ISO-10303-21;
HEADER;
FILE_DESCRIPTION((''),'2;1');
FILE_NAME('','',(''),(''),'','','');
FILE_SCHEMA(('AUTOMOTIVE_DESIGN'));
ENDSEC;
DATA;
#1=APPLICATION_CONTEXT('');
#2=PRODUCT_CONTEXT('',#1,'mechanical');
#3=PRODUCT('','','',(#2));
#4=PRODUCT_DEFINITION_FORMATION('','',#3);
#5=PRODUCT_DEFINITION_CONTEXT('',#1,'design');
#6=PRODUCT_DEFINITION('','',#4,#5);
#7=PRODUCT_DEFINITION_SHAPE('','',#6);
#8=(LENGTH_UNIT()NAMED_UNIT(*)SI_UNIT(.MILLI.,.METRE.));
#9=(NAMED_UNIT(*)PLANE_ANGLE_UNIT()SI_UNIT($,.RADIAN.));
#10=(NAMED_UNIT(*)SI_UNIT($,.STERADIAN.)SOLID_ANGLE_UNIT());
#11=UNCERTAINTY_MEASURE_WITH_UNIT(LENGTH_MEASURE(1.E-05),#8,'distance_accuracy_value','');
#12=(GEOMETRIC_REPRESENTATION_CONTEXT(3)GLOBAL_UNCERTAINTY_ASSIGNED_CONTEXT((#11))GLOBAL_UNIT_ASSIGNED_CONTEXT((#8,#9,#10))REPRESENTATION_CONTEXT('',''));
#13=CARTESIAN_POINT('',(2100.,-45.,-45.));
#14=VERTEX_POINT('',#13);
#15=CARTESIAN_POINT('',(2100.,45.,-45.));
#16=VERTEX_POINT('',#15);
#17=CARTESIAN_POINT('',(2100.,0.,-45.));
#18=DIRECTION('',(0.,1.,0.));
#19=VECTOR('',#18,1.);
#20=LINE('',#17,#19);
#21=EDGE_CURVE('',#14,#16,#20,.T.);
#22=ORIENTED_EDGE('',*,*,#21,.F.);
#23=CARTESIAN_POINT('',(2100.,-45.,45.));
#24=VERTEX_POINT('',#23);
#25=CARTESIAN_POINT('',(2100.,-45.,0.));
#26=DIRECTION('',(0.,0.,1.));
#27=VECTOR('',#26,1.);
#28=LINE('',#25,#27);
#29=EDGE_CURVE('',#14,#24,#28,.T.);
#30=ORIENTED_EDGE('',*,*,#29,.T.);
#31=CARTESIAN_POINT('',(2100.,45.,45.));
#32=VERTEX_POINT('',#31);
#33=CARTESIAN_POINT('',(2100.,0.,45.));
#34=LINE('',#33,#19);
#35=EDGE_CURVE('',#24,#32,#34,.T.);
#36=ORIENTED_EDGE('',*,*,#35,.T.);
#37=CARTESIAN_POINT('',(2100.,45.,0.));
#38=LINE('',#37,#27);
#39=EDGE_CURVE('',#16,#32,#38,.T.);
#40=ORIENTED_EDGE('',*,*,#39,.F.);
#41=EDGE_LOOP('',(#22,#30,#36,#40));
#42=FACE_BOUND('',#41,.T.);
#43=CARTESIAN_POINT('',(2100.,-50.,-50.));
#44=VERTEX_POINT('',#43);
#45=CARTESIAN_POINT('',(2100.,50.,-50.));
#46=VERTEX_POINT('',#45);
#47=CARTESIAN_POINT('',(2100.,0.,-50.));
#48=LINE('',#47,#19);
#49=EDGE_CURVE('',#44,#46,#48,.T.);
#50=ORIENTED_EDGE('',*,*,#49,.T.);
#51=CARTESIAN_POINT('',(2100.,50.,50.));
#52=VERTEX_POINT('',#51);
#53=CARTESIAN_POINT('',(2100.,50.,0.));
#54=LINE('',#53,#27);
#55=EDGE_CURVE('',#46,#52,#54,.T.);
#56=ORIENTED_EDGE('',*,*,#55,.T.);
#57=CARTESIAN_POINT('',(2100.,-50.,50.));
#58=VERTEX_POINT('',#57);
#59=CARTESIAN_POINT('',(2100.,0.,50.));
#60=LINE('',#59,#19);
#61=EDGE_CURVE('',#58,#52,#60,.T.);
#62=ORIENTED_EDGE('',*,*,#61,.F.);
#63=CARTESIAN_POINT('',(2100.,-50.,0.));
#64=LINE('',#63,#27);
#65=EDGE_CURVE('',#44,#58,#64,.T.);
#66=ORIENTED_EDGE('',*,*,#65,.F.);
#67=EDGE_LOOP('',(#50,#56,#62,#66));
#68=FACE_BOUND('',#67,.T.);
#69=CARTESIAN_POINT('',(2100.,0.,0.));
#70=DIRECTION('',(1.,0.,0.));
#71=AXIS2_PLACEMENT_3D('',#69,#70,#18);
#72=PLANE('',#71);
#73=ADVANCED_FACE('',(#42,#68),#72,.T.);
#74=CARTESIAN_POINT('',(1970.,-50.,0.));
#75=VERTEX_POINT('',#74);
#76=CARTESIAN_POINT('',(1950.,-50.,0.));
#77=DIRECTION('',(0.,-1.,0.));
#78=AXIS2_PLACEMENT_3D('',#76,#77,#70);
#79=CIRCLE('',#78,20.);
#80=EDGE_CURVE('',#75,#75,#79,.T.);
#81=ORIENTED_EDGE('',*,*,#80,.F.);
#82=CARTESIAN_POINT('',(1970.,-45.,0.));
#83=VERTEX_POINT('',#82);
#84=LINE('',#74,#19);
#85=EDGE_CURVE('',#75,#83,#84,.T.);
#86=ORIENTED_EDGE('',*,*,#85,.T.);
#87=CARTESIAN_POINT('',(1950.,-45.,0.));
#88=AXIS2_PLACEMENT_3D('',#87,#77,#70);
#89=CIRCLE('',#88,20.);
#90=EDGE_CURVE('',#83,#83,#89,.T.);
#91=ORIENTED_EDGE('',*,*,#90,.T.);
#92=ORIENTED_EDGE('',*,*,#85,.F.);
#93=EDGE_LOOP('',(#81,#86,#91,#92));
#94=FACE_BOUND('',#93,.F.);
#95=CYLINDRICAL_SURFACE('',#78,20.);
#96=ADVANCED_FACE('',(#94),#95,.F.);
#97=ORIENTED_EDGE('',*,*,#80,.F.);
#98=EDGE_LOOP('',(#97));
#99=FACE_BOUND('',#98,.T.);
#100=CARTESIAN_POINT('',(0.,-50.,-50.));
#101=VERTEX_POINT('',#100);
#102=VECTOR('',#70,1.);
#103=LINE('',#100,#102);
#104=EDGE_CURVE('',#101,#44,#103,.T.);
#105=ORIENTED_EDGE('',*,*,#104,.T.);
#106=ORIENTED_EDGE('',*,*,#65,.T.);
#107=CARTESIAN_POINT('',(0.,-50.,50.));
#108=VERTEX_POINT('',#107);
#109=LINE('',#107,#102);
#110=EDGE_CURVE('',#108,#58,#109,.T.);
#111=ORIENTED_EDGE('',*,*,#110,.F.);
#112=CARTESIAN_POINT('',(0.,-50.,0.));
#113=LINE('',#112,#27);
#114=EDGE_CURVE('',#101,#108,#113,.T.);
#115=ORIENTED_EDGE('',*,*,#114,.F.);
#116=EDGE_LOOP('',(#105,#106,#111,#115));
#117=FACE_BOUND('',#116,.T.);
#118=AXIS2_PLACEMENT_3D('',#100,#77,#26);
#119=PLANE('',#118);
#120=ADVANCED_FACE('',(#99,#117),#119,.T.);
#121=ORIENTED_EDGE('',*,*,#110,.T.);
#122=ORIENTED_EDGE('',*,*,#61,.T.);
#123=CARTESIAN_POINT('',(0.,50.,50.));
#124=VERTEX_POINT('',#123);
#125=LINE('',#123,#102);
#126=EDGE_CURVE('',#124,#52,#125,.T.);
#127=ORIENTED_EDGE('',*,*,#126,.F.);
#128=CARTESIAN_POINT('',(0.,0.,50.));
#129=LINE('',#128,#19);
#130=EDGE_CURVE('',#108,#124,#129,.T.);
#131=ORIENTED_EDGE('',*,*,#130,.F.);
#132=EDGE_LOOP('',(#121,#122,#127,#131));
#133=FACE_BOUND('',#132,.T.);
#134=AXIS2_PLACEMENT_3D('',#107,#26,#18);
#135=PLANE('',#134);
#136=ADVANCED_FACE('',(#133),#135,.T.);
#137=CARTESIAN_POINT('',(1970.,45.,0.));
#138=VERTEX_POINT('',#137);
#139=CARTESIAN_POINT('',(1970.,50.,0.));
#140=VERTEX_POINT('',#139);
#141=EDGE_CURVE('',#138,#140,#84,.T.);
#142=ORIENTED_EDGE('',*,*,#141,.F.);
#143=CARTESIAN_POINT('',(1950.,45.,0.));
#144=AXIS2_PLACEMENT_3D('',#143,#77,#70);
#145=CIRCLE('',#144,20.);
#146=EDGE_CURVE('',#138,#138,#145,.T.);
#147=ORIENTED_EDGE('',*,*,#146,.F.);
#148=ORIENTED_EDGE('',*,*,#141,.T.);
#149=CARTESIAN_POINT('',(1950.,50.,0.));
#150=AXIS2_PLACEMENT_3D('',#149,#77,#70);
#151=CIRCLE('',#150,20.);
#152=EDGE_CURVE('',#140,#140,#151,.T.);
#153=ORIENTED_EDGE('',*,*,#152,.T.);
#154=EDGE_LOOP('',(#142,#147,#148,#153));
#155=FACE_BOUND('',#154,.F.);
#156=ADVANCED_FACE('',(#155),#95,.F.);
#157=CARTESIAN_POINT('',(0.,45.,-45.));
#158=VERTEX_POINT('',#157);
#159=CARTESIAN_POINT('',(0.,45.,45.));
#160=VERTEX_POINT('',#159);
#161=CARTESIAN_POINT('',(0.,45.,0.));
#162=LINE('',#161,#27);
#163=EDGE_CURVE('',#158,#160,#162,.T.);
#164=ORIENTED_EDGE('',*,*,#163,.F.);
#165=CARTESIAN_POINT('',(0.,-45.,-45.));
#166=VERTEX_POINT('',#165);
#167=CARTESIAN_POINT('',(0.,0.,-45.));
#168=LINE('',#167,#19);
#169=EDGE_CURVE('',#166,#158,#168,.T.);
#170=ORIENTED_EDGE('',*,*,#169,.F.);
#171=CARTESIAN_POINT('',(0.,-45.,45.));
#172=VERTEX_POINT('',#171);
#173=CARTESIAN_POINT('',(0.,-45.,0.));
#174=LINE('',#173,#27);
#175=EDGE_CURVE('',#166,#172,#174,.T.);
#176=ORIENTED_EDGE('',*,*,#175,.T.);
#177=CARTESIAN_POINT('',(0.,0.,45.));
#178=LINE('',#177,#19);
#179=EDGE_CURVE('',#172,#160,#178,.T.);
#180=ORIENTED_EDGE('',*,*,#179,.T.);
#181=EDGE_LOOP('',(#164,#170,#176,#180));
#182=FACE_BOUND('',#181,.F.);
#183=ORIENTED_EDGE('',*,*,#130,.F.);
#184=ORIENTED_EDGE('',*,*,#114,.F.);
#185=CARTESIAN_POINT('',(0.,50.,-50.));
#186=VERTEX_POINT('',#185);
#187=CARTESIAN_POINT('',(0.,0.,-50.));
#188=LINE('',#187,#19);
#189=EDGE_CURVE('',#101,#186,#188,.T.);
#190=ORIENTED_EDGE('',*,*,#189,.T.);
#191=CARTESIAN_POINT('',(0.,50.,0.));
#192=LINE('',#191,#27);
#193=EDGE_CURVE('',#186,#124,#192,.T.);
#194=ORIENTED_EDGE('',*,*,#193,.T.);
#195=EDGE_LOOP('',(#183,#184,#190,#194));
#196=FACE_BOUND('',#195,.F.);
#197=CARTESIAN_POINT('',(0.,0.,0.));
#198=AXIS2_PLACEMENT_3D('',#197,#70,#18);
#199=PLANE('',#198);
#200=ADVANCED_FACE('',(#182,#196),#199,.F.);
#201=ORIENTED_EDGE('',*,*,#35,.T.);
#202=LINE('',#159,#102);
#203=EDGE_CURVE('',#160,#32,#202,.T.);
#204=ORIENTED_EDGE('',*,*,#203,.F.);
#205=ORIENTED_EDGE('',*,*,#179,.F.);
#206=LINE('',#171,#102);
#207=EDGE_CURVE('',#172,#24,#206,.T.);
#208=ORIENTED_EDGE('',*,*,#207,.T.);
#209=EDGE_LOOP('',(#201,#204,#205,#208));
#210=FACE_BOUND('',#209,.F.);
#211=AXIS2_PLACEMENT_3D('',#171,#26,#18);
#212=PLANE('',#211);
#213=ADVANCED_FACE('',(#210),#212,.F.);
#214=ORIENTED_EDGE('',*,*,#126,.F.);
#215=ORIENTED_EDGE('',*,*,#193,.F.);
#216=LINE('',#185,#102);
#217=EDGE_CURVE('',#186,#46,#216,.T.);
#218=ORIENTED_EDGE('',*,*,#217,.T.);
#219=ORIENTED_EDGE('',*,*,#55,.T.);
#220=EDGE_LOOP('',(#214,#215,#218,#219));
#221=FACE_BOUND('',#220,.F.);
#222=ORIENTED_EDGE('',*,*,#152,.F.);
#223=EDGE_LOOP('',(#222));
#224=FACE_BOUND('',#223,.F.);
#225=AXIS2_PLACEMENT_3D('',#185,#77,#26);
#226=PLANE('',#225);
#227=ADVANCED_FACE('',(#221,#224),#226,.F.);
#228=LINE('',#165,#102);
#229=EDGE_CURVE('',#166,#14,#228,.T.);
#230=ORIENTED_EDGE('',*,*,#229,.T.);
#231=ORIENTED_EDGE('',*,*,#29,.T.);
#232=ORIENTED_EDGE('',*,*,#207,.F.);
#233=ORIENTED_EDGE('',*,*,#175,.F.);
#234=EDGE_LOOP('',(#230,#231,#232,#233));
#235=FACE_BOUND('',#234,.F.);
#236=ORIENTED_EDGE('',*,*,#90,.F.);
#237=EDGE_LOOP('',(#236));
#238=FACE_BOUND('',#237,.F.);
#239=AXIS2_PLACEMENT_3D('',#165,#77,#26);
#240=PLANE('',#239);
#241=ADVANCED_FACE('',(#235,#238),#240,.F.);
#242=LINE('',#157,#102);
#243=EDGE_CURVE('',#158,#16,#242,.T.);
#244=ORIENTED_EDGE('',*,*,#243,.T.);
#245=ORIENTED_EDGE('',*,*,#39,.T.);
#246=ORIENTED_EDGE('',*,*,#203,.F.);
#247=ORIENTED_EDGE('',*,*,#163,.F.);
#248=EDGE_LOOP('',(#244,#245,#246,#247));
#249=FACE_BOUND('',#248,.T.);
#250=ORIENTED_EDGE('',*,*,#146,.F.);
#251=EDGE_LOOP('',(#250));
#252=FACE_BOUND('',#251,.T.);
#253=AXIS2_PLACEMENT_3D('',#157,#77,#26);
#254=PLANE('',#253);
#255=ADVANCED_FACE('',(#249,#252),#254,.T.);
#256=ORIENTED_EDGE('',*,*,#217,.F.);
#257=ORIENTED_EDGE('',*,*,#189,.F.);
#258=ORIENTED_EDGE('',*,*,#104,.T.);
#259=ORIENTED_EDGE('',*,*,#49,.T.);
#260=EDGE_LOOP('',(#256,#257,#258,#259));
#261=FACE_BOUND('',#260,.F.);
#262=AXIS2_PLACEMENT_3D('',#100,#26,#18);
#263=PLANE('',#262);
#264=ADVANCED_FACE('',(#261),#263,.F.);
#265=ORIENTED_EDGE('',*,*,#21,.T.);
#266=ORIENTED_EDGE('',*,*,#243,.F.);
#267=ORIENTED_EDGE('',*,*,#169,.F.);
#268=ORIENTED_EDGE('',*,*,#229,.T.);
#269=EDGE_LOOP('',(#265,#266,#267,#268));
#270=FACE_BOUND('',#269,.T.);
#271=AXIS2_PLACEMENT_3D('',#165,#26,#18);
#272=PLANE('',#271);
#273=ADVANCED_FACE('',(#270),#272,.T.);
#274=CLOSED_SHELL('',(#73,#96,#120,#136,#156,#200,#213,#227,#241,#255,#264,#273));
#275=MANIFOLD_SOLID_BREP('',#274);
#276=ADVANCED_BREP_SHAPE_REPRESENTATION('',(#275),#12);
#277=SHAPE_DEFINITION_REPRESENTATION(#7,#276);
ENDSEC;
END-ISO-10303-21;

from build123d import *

# Parameters (mm, degrees)
F0_W     = 100
F0_H     = 100
F0_W_2   = 90
F0_H_2   = 90
F1_DEPTH = 2100
F2_R     = 20
F3_DEPTH = 100


with BuildPart() as f1:
    # F0 (on Right) → F1 (new body)
    with BuildSketch(Plane.YZ):
        Rectangle(F0_W, F0_H)
        Rectangle(F0_W_2, F0_H_2, mode=Mode.SUBTRACT)
    extrude(amount=F1_DEPTH)

    # F2 (on face) → F3 (cut)
    with BuildSketch(Plane.XZ.offset(50)):
        with Locations((1950, 0)):
            Circle(F2_R)
    extrude(amount=-F3_DEPTH, mode=Mode.SUBTRACT)


solid = f1.part
